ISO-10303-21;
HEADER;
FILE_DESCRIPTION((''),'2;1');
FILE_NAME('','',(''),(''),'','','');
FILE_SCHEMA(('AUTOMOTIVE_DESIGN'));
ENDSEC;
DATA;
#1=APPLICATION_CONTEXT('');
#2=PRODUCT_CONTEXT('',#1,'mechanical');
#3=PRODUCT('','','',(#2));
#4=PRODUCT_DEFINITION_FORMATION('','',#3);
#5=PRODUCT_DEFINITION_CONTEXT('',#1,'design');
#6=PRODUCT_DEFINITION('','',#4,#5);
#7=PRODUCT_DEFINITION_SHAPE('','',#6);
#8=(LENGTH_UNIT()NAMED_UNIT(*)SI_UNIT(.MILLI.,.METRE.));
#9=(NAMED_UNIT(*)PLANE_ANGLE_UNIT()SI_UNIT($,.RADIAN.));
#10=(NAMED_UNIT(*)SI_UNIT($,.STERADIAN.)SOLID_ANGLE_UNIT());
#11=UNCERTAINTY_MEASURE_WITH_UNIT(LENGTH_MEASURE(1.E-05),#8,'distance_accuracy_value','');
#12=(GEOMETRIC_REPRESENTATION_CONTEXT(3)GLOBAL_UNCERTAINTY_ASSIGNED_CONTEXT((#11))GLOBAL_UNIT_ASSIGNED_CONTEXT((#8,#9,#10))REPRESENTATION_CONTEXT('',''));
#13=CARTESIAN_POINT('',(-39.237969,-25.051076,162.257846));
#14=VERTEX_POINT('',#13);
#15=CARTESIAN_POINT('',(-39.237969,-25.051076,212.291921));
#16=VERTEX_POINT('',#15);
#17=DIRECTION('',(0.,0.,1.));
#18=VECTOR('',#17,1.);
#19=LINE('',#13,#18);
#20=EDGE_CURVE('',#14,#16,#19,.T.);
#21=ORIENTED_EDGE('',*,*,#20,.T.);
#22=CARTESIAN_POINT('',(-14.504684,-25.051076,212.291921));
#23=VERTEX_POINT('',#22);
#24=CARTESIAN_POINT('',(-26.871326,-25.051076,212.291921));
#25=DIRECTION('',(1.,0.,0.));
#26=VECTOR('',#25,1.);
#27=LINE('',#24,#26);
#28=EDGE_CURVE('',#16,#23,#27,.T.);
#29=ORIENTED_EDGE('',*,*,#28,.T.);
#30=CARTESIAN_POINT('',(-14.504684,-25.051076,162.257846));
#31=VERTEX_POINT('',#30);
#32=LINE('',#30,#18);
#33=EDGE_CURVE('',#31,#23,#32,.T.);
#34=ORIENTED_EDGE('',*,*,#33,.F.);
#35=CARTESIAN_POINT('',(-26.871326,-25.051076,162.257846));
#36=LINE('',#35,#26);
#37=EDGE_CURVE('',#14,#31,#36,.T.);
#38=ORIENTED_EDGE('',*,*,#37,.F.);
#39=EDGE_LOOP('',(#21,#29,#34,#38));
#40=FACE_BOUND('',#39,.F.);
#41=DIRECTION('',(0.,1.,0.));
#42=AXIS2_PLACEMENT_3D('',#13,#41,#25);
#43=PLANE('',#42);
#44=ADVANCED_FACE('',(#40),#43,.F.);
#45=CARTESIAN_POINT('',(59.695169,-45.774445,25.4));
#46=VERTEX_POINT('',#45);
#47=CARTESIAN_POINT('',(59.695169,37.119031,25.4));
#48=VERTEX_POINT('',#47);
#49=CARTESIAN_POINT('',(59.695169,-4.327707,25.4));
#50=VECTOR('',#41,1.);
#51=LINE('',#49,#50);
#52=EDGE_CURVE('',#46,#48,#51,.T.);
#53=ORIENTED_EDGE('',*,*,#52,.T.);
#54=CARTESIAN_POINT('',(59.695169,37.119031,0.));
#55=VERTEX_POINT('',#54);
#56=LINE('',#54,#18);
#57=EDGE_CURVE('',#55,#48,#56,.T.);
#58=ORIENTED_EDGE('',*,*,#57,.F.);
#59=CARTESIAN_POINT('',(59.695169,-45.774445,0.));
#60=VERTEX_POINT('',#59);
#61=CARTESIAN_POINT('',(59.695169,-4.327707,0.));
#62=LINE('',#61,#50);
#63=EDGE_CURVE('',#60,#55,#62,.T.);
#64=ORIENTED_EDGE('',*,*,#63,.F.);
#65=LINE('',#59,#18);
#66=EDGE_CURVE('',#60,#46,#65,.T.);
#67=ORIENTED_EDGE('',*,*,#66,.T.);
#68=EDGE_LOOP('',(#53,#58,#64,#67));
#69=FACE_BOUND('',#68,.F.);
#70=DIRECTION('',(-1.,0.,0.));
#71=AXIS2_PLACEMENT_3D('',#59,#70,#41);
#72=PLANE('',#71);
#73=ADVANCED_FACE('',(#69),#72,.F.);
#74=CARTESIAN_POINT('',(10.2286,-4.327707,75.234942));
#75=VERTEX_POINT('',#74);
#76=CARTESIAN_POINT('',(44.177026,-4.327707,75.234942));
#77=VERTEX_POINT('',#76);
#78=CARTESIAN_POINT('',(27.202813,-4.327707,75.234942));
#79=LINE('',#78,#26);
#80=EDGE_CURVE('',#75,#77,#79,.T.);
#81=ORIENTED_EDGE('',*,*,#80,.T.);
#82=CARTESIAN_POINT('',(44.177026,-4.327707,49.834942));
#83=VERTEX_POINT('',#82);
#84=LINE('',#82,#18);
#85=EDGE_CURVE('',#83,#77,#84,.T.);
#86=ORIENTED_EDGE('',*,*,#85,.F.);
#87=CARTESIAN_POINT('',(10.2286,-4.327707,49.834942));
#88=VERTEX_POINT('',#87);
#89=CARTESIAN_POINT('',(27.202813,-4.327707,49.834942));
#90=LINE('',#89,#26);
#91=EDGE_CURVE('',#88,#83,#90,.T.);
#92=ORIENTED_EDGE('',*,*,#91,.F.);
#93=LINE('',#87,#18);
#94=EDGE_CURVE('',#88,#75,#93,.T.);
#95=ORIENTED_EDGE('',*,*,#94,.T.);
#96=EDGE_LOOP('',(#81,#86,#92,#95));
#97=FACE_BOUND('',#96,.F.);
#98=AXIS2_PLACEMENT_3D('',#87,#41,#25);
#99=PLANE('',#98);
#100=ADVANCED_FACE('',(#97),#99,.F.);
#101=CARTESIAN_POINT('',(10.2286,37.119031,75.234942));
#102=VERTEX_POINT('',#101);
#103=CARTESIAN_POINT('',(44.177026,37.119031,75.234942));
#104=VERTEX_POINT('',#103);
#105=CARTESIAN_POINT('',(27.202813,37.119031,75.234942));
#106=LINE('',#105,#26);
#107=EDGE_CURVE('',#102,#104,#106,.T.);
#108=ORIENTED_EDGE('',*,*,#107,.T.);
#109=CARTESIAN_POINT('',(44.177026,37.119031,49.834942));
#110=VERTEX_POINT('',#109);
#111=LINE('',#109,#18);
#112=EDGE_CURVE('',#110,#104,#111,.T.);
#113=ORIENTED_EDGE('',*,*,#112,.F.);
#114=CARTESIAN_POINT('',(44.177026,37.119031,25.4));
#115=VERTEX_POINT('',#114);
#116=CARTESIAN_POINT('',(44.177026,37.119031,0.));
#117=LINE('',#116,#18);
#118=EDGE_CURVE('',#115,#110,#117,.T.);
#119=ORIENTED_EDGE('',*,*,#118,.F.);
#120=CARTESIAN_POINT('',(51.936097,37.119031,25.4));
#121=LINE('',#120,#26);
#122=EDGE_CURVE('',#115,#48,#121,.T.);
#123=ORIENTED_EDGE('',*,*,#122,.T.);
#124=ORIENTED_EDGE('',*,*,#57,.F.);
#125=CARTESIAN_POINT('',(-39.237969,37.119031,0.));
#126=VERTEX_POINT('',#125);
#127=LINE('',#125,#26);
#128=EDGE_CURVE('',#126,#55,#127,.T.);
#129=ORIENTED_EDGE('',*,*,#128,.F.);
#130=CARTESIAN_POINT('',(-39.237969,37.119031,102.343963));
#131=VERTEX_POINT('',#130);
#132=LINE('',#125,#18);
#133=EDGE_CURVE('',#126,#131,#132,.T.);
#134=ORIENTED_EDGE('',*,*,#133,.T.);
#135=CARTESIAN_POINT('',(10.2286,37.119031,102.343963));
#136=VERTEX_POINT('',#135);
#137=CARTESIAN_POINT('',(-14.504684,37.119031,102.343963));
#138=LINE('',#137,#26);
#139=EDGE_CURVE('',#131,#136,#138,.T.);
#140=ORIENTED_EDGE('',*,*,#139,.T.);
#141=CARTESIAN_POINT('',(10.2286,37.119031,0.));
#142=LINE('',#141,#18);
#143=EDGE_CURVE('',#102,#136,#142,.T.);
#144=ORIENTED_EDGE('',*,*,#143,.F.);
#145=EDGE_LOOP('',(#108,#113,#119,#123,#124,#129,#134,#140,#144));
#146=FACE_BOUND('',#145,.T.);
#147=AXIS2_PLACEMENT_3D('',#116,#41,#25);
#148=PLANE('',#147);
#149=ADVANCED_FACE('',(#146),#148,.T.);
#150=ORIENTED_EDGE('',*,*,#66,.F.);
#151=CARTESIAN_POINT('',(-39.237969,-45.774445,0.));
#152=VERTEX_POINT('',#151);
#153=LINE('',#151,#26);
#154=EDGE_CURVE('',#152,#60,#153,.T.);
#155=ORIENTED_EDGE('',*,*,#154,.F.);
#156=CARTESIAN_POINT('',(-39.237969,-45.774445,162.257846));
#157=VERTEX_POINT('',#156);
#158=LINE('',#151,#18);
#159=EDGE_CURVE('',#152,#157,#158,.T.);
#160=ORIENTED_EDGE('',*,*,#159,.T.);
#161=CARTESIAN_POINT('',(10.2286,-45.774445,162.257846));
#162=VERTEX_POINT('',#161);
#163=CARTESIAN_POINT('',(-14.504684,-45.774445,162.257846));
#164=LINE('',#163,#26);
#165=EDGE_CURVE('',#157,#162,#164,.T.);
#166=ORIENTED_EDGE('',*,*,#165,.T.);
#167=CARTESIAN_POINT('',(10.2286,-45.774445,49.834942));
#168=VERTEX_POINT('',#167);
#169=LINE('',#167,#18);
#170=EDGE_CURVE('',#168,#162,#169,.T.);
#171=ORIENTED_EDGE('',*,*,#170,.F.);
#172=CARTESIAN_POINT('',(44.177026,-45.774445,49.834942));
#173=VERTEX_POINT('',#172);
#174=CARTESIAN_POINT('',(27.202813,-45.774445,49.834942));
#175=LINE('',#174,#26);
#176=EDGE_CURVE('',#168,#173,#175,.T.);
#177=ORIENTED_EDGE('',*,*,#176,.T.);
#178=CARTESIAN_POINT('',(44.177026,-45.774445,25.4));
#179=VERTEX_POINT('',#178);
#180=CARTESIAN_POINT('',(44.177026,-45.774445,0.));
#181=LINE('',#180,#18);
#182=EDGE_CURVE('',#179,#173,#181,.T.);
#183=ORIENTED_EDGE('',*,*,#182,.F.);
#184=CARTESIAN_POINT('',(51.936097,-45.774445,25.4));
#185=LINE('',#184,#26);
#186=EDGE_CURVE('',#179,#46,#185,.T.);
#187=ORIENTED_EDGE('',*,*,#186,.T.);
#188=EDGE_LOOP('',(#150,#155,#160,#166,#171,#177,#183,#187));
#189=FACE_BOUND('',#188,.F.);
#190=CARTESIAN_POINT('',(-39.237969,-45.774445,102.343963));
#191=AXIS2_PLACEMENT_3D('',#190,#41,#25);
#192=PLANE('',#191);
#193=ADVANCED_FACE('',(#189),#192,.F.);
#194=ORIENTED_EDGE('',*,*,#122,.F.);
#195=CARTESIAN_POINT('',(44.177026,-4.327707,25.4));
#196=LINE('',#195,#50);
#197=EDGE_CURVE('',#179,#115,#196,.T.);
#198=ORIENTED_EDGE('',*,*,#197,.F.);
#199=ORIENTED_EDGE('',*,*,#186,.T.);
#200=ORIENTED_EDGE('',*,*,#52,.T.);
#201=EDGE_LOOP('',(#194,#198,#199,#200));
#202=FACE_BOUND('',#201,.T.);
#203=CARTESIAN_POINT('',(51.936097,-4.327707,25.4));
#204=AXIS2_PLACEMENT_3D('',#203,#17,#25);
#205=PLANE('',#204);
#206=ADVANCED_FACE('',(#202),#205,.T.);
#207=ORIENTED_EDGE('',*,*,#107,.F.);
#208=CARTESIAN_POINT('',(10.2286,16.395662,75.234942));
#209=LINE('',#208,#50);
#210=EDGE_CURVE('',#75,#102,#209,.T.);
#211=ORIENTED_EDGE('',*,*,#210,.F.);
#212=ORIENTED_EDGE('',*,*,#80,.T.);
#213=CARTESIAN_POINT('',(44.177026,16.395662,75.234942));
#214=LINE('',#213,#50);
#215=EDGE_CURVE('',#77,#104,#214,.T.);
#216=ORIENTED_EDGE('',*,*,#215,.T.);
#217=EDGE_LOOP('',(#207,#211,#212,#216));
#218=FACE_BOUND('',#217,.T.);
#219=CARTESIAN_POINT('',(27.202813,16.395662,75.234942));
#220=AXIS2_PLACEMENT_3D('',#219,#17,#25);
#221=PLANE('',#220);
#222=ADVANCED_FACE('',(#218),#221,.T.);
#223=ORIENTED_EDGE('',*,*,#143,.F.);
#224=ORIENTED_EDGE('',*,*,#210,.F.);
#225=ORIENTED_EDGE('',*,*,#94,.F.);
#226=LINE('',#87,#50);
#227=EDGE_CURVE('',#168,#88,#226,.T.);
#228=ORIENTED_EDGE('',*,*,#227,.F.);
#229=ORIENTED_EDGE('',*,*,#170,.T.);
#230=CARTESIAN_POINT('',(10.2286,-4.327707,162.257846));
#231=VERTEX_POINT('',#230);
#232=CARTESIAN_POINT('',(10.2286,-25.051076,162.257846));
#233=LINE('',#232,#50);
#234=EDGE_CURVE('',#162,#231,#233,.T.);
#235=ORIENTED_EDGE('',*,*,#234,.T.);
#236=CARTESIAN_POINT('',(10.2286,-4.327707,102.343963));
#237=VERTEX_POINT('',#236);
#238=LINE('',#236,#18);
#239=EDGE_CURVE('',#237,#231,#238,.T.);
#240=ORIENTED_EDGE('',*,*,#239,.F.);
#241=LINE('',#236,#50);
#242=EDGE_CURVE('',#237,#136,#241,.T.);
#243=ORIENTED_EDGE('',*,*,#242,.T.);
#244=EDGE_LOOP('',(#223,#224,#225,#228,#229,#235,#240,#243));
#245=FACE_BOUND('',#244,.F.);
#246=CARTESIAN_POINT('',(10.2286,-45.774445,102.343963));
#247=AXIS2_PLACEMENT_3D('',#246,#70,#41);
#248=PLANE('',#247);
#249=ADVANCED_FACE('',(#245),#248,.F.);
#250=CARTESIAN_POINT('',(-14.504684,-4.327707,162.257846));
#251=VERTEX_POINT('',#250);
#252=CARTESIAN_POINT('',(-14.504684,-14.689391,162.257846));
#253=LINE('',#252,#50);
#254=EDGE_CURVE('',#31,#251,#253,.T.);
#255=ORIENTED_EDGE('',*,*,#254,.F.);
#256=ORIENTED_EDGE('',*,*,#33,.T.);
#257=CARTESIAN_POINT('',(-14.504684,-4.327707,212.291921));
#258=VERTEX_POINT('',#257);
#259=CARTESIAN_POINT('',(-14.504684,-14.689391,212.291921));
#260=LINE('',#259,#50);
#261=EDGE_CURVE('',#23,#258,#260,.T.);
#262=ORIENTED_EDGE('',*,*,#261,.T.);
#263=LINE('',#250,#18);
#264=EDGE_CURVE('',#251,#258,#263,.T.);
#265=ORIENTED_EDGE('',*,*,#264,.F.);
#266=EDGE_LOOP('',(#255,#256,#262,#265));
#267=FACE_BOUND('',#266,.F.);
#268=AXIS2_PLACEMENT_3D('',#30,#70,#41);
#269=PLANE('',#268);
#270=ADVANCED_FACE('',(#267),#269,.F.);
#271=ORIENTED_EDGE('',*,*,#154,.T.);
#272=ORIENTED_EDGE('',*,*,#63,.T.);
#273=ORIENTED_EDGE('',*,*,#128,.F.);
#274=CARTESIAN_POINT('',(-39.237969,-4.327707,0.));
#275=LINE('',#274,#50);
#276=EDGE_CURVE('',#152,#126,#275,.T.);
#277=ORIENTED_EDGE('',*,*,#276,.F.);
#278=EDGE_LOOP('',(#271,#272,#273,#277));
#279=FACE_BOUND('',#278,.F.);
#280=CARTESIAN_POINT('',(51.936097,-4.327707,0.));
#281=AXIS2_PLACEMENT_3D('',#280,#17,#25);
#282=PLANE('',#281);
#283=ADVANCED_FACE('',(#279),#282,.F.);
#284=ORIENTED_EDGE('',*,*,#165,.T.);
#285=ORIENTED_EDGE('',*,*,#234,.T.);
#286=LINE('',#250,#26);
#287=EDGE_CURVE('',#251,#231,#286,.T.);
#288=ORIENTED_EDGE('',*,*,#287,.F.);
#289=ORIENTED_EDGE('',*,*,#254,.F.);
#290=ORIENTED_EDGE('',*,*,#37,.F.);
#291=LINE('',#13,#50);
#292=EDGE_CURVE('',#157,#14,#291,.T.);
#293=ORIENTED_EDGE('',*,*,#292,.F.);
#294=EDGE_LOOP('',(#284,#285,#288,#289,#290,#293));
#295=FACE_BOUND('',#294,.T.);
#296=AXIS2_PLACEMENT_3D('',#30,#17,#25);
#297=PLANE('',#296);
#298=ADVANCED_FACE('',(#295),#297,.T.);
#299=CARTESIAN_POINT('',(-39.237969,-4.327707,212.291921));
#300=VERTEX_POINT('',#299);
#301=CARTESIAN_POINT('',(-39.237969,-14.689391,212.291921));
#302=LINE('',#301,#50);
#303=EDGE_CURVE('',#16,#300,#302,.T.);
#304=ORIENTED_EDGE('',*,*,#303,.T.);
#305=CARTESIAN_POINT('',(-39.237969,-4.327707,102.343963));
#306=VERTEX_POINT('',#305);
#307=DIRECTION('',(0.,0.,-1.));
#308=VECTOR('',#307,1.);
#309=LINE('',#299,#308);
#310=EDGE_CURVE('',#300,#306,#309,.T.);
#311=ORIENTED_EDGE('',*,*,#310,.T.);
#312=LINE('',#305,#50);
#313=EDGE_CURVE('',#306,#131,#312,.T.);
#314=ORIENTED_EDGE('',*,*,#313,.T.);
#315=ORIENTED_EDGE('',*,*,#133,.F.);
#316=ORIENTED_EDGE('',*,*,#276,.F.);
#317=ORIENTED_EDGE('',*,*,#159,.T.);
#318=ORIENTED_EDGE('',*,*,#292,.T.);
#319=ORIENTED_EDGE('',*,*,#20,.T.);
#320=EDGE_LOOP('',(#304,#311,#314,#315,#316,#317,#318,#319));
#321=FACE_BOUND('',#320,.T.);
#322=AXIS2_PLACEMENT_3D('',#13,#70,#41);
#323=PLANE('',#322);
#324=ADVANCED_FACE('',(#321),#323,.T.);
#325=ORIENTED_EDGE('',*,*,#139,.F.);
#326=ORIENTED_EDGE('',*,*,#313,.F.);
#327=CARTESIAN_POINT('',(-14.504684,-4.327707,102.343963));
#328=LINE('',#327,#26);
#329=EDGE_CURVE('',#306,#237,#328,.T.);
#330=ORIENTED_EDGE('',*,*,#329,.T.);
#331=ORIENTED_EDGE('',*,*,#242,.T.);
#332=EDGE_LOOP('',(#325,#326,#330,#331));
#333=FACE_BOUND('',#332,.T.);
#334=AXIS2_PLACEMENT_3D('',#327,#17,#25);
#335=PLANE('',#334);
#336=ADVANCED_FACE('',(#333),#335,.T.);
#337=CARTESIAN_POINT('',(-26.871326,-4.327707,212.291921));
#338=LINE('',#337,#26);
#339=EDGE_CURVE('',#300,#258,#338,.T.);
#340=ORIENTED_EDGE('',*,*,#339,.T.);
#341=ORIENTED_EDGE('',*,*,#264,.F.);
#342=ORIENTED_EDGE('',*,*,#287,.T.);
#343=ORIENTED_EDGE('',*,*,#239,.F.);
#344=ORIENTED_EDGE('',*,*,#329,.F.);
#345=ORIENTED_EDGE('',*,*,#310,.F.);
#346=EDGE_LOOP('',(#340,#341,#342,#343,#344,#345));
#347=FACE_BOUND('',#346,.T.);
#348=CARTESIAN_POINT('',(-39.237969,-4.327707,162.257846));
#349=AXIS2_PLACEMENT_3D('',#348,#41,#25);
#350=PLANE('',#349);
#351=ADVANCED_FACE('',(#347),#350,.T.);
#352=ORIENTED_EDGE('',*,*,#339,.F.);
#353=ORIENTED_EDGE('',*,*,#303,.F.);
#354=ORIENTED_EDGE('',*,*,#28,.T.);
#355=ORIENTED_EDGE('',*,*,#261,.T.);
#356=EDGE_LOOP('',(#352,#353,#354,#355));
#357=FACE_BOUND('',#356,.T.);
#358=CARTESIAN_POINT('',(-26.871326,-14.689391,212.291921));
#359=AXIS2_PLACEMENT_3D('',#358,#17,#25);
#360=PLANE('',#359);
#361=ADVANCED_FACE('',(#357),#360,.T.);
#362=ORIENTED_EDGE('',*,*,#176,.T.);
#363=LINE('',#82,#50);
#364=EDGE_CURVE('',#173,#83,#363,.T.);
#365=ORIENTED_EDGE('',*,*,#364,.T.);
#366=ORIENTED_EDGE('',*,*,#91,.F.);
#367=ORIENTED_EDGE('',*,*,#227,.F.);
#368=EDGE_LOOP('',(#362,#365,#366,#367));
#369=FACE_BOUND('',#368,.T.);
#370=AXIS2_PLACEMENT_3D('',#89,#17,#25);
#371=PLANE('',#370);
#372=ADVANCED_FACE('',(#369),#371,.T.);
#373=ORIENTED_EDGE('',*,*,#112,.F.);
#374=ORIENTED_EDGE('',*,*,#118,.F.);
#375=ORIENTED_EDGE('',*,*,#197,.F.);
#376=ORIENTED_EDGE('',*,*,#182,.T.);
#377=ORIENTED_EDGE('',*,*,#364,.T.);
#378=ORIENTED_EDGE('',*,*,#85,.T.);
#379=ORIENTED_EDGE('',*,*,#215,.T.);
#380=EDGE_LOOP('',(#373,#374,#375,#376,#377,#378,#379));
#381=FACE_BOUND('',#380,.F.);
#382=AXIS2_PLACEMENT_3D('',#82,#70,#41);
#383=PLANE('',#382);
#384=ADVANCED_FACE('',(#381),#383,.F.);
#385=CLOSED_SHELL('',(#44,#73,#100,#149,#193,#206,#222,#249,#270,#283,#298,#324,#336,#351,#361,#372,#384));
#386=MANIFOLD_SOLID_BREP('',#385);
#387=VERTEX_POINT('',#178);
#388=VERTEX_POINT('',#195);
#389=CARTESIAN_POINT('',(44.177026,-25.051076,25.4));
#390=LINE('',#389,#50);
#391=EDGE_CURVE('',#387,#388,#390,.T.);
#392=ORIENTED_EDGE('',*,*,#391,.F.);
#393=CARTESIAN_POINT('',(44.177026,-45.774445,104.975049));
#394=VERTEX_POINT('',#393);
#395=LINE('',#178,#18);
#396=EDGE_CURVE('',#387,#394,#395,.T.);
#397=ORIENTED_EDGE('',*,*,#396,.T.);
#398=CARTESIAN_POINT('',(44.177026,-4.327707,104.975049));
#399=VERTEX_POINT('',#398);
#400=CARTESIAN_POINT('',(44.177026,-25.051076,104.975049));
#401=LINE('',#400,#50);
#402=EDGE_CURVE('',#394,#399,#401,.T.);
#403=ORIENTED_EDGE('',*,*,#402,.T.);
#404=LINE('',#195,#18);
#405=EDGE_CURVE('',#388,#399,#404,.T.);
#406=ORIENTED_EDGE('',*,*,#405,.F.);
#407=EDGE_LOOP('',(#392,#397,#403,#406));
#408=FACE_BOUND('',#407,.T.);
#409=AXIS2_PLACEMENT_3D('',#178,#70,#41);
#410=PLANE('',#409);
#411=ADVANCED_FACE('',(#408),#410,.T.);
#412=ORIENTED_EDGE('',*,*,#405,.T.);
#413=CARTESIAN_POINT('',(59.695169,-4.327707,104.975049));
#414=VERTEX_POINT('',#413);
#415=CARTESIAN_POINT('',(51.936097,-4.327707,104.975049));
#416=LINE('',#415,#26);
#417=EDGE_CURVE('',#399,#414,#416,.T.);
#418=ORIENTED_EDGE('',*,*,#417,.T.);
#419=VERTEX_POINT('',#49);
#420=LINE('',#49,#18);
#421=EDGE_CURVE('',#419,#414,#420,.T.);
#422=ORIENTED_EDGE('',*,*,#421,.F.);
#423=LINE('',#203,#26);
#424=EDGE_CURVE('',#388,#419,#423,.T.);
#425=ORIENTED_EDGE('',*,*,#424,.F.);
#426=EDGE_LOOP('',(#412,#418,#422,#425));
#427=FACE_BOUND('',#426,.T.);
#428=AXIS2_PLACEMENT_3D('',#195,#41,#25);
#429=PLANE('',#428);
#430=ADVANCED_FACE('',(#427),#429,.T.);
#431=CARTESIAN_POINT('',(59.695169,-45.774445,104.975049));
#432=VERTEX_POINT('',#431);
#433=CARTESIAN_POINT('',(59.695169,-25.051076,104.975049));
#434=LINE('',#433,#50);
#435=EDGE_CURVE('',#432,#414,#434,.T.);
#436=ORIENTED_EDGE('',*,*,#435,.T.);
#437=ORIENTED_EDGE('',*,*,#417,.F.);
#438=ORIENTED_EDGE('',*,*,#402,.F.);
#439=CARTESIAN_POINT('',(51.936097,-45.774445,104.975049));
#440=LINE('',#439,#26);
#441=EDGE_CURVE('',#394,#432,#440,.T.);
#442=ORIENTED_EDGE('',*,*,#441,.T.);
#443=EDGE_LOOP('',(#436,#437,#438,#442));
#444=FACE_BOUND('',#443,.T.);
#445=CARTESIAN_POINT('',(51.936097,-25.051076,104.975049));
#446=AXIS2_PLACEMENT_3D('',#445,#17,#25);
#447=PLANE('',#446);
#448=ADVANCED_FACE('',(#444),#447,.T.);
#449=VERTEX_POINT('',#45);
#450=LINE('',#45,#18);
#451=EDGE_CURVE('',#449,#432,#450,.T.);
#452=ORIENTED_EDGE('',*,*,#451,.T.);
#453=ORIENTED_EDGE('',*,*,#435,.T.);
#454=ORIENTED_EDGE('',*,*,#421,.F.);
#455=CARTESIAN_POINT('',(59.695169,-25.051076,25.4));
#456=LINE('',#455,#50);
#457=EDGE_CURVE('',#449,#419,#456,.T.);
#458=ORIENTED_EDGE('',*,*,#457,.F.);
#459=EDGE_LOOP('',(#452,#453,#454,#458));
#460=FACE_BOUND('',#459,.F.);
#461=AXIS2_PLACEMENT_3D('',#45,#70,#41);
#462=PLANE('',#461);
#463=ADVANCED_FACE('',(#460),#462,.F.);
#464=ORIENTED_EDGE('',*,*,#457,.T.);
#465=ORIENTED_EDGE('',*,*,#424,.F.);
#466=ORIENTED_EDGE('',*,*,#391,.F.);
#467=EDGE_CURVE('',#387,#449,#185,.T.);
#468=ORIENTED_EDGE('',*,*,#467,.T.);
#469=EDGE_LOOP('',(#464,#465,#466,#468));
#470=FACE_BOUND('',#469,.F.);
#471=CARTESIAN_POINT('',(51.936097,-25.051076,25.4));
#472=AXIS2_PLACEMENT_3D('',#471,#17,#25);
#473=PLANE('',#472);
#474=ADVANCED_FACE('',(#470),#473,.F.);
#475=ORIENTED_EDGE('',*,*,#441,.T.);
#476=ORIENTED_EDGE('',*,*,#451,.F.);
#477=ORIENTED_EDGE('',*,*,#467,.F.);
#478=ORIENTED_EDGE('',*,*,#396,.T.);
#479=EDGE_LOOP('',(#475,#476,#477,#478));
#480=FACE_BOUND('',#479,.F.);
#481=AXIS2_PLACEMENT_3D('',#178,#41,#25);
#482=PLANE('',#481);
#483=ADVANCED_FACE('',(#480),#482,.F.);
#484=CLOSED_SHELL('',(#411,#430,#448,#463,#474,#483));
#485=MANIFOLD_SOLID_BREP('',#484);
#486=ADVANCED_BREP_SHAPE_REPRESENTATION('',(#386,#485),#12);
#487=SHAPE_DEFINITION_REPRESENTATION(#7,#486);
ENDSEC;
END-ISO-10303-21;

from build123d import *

# Parameters (mm, degrees)
F0_W      = 49.4665689766
F0_H      = 82.8934758902
F1_DEPTH  = 102.3439634591
F0_W_2    = 33.9484252036
F2_DEPTH  = 49.8349424452
F0_W_3    = 15.5181437731
F3_DEPTH  = 25.4
F4_W      = 49.4665689766
F4_H      = 41.4467379451
F7_DEPTH  = 59.9138829857
F8_W      = 24.7332844883
F8_H      = 20.7233689725
F9_DEPTH  = 50.0340741128
F5_W      = 33.9484252036
F5_H      = 41.4467379451
F10_DEPTH = 25.4
F6_W      = 15.5181437731
F6_H      = 41.4467379451
F11_DEPTH = 79.5750487596


with BuildPart() as f1:
    # F0 (on Top) → F1 (new body)
    with BuildSketch(Plane.XY):
        with Locations((-14.5046841353, -4.3277069926)):
            Rectangle(F0_W, F0_H)
    extrude(amount=F1_DEPTH)

    # F0 (on Top) → F2 (join)
    with BuildSketch(Plane.XY):
        with Locations((27.2028129548, -4.3277069926)):
            Rectangle(F0_W_2, F0_H)
    extrude(amount=F2_DEPTH)

    # F0 (on Top) → F3 (join)
    with BuildSketch(Plane.XY):
        with Locations((51.9360974431, -4.3277069926)):
            Rectangle(F0_W_3, F0_H)
    extrude(amount=F3_DEPTH)

    # F4 (on face) → F7 (join)
    with BuildSketch(Plane.XY.offset(102.3439634591)):
        with Locations((-14.5046841353, -25.0510759652)):
            Rectangle(F4_W, F4_H)
    extrude(amount=F7_DEPTH)

    # F8 (on face) → F9 (join)
    with BuildSketch(Plane.XY.offset(162.2578464448)):
        with Locations((-26.8713263795, -14.6893914789)):
            Rectangle(F8_W, F8_H)
    extrude(amount=F9_DEPTH)

    # F5 (on face) → F10 (join)
    with BuildSketch(Plane.XY.offset(49.8349424452)):
        with Locations((27.2028129548, 16.3956619799)):
            Rectangle(F5_W, F5_H)
    extrude(amount=F10_DEPTH)


with BuildPart() as f11:
    # F6 (on face) → F11 (new body)
    with BuildSketch(Plane.XY.offset(25.4)):
        with Locations((51.9360974431, -25.0510759652)):
            Rectangle(F6_W, F6_H)
    extrude(amount=F11_DEPTH)


solid = Compound([f1.part, f11.part])
